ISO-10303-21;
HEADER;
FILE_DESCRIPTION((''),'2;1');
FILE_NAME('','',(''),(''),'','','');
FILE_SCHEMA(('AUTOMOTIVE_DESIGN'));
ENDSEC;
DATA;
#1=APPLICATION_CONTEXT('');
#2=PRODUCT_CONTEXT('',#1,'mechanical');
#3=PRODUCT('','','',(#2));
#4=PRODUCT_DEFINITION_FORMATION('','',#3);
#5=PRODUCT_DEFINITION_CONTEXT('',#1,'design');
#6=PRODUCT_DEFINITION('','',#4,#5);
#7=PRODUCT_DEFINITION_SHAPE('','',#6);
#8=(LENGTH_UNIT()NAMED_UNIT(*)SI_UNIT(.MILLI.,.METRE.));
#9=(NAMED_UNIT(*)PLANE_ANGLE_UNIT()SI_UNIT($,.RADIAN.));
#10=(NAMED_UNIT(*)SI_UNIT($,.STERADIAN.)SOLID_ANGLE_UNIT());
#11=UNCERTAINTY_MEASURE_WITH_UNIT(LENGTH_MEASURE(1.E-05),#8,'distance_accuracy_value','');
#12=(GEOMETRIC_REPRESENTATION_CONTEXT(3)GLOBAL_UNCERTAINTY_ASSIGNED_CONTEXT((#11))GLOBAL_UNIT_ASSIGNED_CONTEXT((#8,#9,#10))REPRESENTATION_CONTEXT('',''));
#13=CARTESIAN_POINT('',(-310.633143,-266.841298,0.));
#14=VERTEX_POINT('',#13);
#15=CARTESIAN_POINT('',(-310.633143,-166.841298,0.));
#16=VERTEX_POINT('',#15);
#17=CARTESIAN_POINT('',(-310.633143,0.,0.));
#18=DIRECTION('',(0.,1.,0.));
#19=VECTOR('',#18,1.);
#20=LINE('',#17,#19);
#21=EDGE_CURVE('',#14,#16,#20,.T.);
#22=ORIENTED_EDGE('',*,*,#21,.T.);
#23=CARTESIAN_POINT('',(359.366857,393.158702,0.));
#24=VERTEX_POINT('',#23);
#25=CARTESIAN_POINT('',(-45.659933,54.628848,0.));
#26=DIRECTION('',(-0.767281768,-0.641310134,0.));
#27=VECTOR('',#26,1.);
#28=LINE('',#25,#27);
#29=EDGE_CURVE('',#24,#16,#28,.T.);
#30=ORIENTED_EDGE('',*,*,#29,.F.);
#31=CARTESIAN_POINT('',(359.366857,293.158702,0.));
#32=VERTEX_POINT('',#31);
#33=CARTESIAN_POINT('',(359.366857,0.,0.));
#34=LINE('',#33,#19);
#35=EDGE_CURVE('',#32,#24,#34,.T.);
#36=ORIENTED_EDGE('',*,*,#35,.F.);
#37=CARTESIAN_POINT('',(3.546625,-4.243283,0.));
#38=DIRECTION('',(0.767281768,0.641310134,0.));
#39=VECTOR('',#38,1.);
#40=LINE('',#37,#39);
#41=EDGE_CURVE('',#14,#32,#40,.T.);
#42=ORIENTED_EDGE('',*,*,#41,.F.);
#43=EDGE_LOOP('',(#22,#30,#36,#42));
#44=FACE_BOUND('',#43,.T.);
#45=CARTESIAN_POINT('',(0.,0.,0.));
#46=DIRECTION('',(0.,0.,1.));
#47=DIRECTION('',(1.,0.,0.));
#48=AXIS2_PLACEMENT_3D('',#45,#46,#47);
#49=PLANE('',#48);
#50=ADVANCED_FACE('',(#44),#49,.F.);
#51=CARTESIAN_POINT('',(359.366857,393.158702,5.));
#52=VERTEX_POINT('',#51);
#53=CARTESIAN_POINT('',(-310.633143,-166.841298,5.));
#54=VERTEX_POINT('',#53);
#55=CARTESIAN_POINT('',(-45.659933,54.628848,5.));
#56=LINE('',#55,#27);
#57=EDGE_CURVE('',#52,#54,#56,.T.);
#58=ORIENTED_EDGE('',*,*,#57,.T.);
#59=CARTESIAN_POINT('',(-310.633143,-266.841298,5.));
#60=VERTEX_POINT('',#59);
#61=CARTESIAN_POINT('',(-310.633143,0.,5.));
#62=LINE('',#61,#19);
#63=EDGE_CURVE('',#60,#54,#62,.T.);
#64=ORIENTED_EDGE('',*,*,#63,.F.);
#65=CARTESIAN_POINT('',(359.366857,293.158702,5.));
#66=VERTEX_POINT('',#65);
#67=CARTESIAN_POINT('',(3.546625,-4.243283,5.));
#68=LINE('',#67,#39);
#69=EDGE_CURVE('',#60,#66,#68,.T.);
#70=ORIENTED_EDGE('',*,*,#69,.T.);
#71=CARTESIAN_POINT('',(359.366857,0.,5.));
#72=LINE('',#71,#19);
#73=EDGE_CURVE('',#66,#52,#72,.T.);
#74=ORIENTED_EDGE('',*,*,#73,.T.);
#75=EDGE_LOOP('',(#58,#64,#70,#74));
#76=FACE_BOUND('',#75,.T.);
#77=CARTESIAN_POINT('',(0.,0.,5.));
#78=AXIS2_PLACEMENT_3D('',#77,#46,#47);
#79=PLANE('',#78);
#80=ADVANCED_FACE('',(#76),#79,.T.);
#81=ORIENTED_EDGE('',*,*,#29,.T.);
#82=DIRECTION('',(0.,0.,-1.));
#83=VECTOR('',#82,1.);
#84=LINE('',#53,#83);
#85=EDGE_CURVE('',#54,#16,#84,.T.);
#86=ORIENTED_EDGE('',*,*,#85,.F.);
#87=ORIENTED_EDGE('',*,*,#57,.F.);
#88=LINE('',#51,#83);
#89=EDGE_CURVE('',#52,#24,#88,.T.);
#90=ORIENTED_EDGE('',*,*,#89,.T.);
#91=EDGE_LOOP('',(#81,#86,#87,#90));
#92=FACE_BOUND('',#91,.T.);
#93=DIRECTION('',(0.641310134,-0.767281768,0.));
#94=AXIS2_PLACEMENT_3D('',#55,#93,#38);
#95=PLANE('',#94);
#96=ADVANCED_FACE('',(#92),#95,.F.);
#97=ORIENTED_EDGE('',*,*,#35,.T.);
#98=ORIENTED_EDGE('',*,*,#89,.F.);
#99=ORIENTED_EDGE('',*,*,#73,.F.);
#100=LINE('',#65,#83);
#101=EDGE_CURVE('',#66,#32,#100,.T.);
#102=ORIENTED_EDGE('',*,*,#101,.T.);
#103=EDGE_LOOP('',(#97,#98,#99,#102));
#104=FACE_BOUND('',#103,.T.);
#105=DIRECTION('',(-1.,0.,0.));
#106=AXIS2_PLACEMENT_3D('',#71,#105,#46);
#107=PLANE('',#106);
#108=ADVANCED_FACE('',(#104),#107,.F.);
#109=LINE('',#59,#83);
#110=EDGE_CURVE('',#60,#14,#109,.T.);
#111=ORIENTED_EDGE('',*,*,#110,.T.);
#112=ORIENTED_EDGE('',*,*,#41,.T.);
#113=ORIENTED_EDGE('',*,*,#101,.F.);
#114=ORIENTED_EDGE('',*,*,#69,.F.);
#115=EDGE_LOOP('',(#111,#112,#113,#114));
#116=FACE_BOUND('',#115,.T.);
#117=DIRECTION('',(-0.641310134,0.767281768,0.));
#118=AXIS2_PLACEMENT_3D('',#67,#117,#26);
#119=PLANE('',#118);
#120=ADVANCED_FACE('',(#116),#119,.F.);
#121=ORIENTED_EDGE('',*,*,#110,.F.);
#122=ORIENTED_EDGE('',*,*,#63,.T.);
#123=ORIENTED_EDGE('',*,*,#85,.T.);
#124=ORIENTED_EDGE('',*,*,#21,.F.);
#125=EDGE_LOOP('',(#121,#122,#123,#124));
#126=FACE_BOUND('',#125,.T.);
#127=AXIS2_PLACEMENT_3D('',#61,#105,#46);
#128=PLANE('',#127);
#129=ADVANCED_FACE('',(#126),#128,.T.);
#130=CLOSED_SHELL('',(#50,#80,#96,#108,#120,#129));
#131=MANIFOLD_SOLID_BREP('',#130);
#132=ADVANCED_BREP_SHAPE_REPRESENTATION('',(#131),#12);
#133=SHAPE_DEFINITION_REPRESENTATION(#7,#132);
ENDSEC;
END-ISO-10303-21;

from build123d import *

# Parameters (mm, degrees)
BOSS_EXTRUDE2_DEPTH = 5


with BuildPart() as part:
    # Sketch1 → Boss-Extrude2 (new body)
    with BuildSketch(Plane.XY):
        Polygon((-310.633143495, -166.84129799), (-310.633143495, -266.84129799), (359.366856505, 293.15870201), (359.366856505, 393.15870201), align=None)
    extrude(amount=BOSS_EXTRUDE2_DEPTH)


solid = part.part
